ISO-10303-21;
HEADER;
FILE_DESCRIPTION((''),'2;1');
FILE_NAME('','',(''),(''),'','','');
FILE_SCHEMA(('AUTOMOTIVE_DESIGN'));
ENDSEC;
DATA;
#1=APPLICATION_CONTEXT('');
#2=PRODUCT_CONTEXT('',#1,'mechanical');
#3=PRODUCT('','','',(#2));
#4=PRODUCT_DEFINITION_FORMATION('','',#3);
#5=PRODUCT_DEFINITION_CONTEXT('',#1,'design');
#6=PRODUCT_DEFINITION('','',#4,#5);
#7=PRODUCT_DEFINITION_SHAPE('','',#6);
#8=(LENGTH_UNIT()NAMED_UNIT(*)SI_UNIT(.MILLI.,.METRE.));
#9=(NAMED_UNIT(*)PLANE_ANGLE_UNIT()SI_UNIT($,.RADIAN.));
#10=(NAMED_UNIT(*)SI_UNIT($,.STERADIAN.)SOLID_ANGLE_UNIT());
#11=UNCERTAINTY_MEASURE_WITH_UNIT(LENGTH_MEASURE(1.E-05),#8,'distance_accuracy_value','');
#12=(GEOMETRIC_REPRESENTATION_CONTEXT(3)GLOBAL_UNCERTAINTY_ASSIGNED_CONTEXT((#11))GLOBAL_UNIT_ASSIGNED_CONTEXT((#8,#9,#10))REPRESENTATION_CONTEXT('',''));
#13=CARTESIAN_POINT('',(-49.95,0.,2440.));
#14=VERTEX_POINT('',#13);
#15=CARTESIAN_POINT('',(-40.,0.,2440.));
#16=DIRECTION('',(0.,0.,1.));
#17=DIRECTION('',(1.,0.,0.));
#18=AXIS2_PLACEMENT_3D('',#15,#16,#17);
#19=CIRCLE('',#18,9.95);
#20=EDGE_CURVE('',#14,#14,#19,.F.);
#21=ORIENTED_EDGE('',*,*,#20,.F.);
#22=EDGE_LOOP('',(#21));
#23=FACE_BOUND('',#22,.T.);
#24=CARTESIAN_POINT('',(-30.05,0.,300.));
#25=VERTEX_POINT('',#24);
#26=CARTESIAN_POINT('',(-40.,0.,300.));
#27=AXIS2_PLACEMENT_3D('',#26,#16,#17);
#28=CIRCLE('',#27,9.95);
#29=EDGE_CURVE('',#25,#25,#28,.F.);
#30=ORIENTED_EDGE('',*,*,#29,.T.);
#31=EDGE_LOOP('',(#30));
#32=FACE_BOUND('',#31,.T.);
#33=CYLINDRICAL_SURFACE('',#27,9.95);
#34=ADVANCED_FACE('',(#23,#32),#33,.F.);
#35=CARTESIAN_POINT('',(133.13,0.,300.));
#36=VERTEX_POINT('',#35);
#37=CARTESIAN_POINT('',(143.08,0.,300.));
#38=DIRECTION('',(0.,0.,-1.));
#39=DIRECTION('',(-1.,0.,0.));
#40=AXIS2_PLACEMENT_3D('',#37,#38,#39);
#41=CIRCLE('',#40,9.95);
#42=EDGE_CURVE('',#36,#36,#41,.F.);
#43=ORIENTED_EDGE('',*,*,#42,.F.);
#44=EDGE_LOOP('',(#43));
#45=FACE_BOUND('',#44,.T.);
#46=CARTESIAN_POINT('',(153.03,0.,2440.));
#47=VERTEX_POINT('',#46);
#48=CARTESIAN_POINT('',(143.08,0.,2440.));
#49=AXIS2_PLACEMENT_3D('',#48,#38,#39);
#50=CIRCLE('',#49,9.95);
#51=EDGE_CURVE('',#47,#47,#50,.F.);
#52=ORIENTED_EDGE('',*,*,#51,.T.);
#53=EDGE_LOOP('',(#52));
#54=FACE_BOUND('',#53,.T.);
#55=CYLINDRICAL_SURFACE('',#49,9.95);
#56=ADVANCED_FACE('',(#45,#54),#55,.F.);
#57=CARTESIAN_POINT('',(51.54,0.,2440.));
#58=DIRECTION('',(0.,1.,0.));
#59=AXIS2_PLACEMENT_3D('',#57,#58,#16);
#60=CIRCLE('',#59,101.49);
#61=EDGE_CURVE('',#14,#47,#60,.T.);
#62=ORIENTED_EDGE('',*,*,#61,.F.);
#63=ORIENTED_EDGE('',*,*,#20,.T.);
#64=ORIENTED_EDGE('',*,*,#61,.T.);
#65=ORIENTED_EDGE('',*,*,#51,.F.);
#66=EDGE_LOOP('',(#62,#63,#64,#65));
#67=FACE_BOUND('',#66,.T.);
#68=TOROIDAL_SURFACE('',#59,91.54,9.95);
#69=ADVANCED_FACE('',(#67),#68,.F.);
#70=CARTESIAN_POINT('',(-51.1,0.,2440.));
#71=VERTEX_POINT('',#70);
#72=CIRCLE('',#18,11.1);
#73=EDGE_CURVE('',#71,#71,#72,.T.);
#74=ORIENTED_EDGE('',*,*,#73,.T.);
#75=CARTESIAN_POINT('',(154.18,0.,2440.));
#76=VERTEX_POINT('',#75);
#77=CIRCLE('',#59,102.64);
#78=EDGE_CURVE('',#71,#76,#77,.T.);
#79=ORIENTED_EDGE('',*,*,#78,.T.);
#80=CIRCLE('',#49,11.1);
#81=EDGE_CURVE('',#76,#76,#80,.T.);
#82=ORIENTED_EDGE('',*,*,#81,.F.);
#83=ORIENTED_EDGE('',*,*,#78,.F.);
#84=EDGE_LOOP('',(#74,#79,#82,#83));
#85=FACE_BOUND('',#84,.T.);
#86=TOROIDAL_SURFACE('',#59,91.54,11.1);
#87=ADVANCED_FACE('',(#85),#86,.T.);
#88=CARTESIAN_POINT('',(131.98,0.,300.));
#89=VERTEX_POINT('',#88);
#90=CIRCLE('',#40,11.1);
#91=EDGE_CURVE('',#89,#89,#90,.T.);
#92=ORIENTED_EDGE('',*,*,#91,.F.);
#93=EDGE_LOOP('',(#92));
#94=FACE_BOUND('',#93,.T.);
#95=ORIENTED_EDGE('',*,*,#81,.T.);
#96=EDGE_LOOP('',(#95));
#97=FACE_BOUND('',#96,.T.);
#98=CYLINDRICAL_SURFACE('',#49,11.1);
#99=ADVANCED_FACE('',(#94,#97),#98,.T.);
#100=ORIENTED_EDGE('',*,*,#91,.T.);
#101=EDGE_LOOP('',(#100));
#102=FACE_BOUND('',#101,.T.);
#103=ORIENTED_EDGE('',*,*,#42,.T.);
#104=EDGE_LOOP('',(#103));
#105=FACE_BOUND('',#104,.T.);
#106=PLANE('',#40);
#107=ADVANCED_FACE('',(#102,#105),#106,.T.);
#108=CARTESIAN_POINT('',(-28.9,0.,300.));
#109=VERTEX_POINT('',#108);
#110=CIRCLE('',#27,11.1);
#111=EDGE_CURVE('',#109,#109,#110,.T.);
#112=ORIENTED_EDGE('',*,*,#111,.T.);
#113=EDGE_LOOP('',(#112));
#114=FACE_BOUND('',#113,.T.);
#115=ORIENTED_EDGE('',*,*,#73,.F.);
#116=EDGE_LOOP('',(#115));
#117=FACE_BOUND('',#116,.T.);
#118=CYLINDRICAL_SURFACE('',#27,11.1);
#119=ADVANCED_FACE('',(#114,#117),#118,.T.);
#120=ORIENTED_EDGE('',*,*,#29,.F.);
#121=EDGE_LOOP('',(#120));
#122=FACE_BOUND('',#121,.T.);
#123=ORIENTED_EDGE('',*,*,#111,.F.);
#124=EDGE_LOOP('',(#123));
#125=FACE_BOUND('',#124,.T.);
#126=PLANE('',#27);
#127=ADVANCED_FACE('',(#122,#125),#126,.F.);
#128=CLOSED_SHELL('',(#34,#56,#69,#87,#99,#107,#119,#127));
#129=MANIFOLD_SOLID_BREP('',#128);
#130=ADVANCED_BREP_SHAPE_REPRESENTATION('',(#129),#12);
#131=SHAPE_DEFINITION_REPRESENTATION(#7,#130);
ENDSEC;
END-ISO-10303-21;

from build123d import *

# Parameters (mm, degrees)
SKETCH2_R   = 11.1
SKETCH2_R_2 = 9.95


with BuildPart() as part:
    # Sweep1: sweep along a path in Sketch1
    with BuildLine(Plane(origin=(0, 0, 0), x_dir=(1, 0, 0), z_dir=(0, 1, 0))) as sweep1_path:
        Line((143.08, -300), (143.08, -2440))
        ThreePointArc((143.08, -2440), (51.54, -2531.54), (-40, -2440))
        Line((-40, -2440), (-40, -300))
    # Sketch2 → Sweep1 (sweep)
    with BuildSketch(Plane(origin=(143.08, 0, 300), x_dir=(-1, 0, 0), z_dir=(0, 0, -1))):
        Circle(SKETCH2_R)
        Circle(SKETCH2_R_2, mode=Mode.SUBTRACT)
    sweep(path=sweep1_path.line)


solid = part.part
